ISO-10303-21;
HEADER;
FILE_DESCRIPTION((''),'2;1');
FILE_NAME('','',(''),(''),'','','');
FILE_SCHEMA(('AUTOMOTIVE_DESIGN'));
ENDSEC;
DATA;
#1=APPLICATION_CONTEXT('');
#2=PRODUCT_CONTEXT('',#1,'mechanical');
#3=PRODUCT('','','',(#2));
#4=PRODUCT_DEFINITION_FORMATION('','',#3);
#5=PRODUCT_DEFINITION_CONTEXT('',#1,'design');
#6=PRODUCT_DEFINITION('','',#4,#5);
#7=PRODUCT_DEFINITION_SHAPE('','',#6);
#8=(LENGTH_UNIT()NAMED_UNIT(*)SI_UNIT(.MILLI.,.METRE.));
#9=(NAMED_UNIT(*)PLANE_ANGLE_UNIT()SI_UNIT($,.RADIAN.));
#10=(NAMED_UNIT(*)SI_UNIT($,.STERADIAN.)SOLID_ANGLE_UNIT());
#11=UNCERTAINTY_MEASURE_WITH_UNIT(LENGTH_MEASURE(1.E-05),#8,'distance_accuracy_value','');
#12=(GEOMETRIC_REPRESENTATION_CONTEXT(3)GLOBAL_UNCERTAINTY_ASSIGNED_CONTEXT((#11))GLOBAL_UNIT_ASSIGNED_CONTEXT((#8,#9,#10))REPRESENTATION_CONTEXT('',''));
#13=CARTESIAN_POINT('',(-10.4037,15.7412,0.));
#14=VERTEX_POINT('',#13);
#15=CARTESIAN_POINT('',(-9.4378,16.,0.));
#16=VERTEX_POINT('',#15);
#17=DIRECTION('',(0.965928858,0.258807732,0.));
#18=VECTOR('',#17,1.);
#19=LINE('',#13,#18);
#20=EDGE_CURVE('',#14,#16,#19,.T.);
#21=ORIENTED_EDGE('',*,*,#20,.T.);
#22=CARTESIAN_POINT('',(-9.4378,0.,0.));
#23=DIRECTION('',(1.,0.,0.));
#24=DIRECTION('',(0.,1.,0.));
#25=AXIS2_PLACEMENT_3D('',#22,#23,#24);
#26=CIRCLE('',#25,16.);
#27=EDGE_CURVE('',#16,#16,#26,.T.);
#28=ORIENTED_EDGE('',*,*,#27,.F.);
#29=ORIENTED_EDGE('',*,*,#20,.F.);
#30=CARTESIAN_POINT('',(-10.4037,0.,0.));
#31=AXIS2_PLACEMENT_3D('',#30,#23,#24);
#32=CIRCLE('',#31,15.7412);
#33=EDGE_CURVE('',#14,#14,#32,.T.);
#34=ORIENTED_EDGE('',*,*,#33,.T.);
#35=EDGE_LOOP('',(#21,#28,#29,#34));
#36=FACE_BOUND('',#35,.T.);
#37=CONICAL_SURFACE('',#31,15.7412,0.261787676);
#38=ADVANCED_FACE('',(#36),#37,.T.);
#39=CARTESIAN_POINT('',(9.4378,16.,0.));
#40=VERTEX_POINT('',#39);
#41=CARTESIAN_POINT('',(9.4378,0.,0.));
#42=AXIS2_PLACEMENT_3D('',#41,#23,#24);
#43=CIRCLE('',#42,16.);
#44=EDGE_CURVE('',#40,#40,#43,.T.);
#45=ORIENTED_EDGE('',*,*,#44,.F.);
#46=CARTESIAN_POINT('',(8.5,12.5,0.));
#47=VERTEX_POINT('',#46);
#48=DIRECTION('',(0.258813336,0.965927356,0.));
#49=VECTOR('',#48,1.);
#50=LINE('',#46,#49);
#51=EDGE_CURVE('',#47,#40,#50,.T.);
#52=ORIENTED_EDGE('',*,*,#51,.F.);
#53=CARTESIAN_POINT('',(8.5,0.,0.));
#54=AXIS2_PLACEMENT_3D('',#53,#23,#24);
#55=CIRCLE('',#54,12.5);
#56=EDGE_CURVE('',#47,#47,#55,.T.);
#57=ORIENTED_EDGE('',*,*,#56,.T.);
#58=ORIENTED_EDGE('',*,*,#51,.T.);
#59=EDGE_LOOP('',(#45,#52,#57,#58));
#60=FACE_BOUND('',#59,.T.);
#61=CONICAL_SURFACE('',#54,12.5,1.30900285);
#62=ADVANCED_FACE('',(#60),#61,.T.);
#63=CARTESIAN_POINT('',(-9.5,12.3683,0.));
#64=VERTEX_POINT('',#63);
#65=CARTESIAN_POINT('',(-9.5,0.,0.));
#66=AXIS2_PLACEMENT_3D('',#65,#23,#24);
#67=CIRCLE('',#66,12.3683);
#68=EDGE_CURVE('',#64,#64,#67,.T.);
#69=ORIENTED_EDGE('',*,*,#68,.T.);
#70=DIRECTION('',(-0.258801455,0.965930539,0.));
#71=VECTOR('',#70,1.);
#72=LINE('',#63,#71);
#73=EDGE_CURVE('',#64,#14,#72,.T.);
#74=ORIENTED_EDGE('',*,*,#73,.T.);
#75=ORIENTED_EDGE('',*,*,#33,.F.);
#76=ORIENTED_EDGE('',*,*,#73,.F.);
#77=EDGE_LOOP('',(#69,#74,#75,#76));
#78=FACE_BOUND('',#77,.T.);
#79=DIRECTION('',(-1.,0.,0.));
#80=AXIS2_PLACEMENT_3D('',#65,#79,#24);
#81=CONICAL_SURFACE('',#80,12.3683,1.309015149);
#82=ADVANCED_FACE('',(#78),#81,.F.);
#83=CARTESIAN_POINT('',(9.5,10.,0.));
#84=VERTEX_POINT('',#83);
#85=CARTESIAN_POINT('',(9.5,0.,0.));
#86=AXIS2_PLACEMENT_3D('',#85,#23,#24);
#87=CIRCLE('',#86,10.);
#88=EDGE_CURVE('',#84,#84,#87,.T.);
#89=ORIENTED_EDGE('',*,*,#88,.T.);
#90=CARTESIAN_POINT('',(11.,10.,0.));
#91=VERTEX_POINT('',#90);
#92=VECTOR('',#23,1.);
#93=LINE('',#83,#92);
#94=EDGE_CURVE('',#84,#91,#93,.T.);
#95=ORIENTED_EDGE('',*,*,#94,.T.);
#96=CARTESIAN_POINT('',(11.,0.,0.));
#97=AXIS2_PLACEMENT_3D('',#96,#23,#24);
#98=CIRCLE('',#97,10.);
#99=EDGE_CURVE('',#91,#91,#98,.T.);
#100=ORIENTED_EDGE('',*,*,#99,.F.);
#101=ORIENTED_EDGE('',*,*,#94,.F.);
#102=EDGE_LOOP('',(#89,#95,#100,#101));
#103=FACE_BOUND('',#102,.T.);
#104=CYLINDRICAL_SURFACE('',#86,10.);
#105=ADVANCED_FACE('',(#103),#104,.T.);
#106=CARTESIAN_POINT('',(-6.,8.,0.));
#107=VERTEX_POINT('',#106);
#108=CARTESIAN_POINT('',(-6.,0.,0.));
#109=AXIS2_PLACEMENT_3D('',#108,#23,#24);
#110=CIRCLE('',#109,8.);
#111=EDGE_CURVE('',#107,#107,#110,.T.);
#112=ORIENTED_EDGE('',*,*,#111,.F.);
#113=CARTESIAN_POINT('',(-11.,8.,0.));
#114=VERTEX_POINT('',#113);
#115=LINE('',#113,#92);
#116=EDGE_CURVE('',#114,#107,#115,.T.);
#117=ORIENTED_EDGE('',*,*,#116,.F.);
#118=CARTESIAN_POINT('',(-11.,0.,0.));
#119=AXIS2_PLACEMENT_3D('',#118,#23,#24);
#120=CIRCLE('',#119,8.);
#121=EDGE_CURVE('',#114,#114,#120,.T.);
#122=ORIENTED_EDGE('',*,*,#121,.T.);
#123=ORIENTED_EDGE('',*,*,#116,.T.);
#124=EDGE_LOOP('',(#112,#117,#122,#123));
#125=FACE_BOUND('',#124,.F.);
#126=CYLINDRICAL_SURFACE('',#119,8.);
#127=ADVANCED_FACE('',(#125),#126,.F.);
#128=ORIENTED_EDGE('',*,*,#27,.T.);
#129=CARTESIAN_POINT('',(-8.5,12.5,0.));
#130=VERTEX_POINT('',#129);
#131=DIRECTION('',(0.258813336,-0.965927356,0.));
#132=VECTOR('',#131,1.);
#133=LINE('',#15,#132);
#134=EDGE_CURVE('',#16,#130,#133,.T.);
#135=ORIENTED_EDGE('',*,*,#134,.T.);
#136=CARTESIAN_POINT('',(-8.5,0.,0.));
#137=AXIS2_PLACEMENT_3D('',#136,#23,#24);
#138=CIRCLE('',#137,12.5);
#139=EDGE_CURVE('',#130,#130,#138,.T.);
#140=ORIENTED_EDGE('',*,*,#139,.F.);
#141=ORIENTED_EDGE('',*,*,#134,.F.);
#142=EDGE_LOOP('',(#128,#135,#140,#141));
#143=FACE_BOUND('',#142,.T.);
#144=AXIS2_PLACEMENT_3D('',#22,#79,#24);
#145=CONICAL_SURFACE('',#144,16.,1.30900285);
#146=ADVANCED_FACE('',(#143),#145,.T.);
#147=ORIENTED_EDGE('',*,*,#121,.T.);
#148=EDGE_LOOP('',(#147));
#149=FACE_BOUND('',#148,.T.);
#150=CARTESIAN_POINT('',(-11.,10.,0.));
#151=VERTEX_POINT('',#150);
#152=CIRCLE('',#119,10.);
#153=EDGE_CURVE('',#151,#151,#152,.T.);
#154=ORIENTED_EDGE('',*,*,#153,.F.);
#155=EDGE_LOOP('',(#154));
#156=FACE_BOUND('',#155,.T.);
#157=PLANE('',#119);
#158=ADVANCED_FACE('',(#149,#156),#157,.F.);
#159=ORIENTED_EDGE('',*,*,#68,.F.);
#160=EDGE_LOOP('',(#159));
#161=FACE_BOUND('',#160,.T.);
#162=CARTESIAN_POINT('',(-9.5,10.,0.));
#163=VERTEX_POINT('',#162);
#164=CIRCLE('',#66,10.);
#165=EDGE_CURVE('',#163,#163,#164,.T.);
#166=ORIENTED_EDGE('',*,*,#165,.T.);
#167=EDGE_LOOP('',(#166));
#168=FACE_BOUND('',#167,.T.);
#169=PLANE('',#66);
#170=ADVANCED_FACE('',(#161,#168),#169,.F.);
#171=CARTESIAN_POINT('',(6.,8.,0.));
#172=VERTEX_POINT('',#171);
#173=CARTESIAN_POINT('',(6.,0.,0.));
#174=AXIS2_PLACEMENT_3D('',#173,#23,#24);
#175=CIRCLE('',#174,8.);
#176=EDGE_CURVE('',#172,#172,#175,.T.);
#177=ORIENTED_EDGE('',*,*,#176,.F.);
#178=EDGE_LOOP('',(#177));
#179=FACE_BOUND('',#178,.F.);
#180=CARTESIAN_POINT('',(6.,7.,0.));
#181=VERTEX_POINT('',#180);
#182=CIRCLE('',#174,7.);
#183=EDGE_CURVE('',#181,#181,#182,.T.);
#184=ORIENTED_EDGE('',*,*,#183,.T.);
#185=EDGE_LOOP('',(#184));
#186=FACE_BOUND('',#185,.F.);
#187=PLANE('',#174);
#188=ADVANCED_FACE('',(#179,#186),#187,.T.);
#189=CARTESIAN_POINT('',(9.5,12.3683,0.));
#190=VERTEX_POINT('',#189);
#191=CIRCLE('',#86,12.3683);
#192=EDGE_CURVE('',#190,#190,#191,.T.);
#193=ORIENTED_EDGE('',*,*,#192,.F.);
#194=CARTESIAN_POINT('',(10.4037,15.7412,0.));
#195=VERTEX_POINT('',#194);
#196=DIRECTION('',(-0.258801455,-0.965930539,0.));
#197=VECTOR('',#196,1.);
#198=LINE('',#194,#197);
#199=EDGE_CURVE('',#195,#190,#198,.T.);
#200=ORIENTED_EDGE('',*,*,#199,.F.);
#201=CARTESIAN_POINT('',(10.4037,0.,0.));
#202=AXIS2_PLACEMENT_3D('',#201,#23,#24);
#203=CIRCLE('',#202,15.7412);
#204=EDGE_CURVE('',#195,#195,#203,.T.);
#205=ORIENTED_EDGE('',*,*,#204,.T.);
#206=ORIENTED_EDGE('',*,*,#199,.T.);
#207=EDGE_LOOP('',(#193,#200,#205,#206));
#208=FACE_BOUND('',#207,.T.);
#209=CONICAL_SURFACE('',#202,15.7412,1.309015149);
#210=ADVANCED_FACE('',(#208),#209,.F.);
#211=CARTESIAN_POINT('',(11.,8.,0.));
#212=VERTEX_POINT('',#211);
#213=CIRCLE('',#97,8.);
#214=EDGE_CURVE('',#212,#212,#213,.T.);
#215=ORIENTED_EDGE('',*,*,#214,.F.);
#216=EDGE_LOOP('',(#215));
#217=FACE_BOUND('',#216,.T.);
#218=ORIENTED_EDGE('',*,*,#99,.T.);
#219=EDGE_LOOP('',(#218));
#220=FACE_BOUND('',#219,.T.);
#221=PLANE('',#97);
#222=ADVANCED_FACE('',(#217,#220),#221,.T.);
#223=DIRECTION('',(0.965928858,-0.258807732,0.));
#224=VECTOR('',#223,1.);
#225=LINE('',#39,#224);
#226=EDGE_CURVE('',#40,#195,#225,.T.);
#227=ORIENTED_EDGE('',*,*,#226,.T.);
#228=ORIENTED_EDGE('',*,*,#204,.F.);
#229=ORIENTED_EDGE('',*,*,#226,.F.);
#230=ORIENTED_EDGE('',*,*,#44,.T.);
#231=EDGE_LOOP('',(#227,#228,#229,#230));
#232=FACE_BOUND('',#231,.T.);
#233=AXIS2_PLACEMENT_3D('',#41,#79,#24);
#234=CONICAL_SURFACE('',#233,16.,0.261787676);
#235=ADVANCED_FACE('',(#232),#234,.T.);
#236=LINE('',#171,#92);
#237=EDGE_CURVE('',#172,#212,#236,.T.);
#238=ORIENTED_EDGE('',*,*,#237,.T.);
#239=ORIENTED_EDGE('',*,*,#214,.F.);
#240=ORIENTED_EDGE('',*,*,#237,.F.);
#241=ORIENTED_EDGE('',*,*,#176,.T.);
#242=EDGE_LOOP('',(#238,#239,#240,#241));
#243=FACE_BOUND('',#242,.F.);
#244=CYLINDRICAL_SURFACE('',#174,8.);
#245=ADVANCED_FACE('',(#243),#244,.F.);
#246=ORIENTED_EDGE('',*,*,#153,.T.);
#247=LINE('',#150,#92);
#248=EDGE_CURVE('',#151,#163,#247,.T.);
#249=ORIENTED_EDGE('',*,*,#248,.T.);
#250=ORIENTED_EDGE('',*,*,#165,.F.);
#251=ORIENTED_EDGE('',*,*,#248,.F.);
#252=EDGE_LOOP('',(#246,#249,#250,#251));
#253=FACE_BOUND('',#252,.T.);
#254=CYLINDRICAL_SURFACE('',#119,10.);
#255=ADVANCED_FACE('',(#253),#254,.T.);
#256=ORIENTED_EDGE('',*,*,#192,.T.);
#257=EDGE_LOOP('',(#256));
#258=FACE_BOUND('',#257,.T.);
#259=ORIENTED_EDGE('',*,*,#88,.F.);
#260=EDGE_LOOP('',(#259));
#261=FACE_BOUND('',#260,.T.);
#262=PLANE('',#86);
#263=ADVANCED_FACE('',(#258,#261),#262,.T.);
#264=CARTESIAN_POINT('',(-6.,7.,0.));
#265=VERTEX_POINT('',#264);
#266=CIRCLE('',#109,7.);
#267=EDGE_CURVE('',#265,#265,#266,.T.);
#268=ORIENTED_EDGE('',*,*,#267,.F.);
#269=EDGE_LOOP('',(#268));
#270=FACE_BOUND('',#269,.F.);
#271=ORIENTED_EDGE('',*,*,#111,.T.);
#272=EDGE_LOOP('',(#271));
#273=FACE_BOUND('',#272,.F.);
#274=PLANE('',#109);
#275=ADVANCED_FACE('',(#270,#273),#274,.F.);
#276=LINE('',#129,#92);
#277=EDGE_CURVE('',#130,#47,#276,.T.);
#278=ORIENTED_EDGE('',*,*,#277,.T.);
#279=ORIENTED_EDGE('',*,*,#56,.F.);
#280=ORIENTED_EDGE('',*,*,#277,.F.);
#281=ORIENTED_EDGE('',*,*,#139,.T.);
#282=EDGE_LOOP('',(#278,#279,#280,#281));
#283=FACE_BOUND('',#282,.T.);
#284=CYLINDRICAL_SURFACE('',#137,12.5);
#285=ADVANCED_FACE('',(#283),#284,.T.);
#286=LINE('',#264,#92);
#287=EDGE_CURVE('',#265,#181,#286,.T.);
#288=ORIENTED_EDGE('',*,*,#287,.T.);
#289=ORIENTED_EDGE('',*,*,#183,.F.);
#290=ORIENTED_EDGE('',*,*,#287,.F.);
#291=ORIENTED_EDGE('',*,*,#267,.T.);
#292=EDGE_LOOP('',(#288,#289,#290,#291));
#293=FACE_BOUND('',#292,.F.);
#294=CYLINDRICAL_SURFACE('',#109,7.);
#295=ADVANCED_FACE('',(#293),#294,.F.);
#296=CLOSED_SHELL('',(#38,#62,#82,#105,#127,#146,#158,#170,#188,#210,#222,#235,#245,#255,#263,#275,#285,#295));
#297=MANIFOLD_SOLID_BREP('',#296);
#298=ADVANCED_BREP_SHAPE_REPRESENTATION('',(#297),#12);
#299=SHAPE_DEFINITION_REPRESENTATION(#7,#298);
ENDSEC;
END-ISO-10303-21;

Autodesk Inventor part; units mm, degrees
sketch "_____2" plane through (0, 0, 0) normal (0, 0, 1) x (1, 0, 0)
  line L0 (11, 0) -> (-11, 0)
  line L1 (-11, 0) -> (-11, 10)
  line L2 (-11, 10) -> (-9.5, 10)
  line L3 (-9.5, 10) -> (-9.5, 12.3683)
  line L4 (-9.5, 12.3683) -> (-10.4037, 15.7412)
  line L5 (-10.4037, 15.7412) -> (-9.4378, 16)
  line L6 (-9.4378, 16) -> (-8.5, 12.5)
  line L7 (-8.5, 12.5) -> (8.5, 12.5)
  line L8 (8.5, 12.5) -> (9.4378, 16)
  line L9 (9.4378, 16) -> (10.4037, 15.7412)
  line L10 (10.4037, 15.7412) -> (9.5, 12.3683)
  line L11 (9.5, 12.3683) -> (9.5, 10)
  line L12 (9.5, 10) -> (11, 10)
  line L13 (11, 10) -> (11, 0)
  line L14 (11, 0) -> (-11, 0)
revolve "Revolution1" add sketch "_____2" angle 360 about axis through (11, 0, 0) along (1, 0, 0)
sketch "_____3" plane through (0, 0, 0) normal (0, 0, 1) x (1, 0, 0)
  line L0 (11, 0) -> (-11, 0)
  line L1 (-11, 0) -> (-11, 8)
  line L2 (-11, 8) -> (-6, 8)
  line L3 (-6, 8) -> (-6, 7)
  line L4 (-6, 7) -> (6, 7)
  line L5 (6, 7) -> (6, 8)
  line L6 (6, 8) -> (11, 8)
  line L7 (11, 8) -> (11, 0)
  line L8 (11, 0) -> (-11, 0)
revolve "Revolution2" cut sketch "_____3" angle 360 about axis through (11, 0, 0) along (1, 0, 0)
ref_plane "b600_1_XY" through (8.5, 0, 0) normal (1, 0, 0) x (0, 0, -1)
ref_plane "b600_1_YZ" through (8.5, 0, 0) normal (0, 0, -1) x (0, 1, 0)
ref_plane "b600_1_ZX" through (8.5, 0, 0) normal (0, 1, 0) x (1, 0, 0)
ref_plane "b600_2_XY" through (-8.5, 0, 0) normal (1, 0, 0) x (0, 0, -1)
ref_plane "b600_2_YZ" through (-8.5, 0, 0) normal (0, 0, -1) x (0, 1, 0)
ref_plane "b600_2_ZX" through (-8.5, 0, 0) normal (0, 1, 0) x (1, 0, 0)
ref_plane "to_dummy_XY" through (0, 0, 0) normal (1, 0, 0) x (0, 0, -1)
ref_plane "to_dummy_YZ" through (0, 0, 0) normal (0, 0, -1) x (0, 1, 0)
ref_plane "to_dummy_ZX" through (0, 0, 0) normal (0, 1, 0) x (1, 0, 0)
properties part number "C-AFDF22-25_bw"
